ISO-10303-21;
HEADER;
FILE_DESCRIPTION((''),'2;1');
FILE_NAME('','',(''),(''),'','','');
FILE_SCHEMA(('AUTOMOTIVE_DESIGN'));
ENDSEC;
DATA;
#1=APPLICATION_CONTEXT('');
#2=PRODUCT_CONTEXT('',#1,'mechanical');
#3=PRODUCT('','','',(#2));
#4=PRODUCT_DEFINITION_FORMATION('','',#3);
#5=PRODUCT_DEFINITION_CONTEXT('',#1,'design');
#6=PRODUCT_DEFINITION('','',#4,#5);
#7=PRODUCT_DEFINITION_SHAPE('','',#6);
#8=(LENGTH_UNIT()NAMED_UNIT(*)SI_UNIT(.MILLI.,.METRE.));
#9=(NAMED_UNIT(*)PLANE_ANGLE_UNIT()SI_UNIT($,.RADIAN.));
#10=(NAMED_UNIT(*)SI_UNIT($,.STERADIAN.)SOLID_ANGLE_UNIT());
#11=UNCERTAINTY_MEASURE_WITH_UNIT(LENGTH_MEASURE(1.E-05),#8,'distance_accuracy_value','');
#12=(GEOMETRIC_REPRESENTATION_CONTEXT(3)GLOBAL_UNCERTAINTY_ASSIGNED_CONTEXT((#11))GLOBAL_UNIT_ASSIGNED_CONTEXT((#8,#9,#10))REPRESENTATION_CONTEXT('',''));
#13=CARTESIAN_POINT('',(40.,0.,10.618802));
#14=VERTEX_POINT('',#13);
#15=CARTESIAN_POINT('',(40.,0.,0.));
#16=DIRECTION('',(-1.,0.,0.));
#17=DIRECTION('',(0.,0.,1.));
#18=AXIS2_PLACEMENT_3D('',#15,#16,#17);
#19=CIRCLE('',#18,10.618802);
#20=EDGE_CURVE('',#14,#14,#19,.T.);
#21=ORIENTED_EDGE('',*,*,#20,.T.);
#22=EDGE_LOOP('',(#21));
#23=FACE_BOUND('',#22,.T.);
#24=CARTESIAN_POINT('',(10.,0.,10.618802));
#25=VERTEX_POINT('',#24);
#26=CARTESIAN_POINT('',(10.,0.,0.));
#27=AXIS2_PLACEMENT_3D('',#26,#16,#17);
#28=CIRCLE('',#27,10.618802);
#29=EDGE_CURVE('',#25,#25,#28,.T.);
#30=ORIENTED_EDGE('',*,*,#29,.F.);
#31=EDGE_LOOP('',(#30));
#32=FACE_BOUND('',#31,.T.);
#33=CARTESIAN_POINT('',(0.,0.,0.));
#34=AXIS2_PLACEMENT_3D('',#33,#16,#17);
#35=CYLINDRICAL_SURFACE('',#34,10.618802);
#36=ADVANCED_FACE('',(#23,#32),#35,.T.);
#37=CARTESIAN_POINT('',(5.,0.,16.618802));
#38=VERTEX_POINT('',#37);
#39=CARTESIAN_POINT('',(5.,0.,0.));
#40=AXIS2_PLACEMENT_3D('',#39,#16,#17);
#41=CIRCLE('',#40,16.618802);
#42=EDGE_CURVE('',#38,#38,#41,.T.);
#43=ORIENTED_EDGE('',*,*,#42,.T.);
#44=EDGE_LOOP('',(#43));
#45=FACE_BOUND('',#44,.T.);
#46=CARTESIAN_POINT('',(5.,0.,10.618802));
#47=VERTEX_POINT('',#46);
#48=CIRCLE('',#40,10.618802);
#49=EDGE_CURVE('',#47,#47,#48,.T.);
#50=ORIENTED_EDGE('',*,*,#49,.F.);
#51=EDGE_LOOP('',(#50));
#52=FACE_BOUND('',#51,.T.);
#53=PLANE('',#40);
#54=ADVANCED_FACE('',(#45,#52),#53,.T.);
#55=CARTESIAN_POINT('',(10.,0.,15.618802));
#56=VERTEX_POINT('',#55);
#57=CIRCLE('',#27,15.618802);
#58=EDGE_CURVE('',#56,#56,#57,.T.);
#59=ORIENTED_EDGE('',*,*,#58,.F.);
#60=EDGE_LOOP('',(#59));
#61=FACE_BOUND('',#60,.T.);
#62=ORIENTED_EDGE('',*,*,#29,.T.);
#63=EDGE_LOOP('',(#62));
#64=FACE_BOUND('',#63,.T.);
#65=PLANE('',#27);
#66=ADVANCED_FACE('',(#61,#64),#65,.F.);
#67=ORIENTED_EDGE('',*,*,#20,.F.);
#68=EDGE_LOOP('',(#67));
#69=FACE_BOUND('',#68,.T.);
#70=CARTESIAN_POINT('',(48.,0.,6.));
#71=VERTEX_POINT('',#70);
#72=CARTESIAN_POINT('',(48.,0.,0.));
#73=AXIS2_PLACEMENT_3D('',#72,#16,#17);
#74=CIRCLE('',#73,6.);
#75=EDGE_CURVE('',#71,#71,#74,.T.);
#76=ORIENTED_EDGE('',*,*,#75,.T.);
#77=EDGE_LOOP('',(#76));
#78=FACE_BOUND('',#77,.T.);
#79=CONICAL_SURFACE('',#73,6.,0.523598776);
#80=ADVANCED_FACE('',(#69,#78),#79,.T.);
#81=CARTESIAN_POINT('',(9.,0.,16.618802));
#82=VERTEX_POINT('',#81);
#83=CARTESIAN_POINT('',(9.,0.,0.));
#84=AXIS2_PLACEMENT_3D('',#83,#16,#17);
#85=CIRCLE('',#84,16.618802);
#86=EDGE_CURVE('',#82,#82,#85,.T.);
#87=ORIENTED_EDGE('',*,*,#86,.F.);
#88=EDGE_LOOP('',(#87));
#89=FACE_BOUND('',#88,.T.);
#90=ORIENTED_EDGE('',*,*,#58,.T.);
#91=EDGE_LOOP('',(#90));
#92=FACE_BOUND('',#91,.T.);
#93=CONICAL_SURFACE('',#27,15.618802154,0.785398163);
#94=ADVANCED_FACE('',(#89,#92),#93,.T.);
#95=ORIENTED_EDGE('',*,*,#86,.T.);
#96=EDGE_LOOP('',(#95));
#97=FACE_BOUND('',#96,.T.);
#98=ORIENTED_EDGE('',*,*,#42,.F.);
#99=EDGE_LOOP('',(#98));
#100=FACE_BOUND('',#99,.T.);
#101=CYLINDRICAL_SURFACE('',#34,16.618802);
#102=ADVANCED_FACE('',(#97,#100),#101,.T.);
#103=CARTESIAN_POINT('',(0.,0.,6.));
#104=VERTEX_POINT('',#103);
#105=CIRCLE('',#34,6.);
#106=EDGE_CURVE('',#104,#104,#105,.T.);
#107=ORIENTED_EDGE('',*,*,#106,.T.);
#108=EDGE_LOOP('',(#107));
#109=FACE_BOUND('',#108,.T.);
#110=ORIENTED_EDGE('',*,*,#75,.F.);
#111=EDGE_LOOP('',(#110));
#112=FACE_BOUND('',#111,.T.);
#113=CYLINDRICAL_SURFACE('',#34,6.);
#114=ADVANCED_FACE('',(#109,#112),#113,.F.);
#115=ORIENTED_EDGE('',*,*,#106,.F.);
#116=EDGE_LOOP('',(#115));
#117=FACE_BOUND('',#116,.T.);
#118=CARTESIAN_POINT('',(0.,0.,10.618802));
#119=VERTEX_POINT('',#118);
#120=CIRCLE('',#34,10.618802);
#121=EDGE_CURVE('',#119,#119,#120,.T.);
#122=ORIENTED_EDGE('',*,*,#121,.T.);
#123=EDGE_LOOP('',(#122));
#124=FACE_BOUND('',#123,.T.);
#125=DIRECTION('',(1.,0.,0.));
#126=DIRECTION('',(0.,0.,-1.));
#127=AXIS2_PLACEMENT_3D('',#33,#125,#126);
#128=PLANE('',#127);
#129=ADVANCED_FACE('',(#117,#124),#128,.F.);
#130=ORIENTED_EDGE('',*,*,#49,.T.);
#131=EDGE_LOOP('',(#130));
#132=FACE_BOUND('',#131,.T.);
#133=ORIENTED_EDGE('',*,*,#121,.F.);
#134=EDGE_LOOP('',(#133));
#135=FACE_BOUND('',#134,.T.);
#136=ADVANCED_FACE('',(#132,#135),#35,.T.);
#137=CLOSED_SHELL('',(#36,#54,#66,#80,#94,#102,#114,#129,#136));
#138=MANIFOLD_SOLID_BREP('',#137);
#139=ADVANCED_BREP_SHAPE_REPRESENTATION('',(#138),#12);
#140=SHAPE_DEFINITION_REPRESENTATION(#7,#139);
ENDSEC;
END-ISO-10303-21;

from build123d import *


with BuildPart() as part:
    # Sketch1 → Revolve1 (revolve)
    with BuildSketch(Plane.XY, mode=Mode.PRIVATE) as revolve1_sk:
        Polygon((10, 10.618802154), (10, 15.618802154), (9, 16.618802154), (5, 16.618802154), (5, 10.618802154), (0, 10.618802154), (0, 6), (48, 6), (40, 10.618802154), align=None)
    revolve(revolve1_sk.sketch.rotate(Axis((0, 0, 0), (1, 0, 0)), 90), axis=Axis((0, 0, 0), (1, 0, 0)))


solid = part.part
